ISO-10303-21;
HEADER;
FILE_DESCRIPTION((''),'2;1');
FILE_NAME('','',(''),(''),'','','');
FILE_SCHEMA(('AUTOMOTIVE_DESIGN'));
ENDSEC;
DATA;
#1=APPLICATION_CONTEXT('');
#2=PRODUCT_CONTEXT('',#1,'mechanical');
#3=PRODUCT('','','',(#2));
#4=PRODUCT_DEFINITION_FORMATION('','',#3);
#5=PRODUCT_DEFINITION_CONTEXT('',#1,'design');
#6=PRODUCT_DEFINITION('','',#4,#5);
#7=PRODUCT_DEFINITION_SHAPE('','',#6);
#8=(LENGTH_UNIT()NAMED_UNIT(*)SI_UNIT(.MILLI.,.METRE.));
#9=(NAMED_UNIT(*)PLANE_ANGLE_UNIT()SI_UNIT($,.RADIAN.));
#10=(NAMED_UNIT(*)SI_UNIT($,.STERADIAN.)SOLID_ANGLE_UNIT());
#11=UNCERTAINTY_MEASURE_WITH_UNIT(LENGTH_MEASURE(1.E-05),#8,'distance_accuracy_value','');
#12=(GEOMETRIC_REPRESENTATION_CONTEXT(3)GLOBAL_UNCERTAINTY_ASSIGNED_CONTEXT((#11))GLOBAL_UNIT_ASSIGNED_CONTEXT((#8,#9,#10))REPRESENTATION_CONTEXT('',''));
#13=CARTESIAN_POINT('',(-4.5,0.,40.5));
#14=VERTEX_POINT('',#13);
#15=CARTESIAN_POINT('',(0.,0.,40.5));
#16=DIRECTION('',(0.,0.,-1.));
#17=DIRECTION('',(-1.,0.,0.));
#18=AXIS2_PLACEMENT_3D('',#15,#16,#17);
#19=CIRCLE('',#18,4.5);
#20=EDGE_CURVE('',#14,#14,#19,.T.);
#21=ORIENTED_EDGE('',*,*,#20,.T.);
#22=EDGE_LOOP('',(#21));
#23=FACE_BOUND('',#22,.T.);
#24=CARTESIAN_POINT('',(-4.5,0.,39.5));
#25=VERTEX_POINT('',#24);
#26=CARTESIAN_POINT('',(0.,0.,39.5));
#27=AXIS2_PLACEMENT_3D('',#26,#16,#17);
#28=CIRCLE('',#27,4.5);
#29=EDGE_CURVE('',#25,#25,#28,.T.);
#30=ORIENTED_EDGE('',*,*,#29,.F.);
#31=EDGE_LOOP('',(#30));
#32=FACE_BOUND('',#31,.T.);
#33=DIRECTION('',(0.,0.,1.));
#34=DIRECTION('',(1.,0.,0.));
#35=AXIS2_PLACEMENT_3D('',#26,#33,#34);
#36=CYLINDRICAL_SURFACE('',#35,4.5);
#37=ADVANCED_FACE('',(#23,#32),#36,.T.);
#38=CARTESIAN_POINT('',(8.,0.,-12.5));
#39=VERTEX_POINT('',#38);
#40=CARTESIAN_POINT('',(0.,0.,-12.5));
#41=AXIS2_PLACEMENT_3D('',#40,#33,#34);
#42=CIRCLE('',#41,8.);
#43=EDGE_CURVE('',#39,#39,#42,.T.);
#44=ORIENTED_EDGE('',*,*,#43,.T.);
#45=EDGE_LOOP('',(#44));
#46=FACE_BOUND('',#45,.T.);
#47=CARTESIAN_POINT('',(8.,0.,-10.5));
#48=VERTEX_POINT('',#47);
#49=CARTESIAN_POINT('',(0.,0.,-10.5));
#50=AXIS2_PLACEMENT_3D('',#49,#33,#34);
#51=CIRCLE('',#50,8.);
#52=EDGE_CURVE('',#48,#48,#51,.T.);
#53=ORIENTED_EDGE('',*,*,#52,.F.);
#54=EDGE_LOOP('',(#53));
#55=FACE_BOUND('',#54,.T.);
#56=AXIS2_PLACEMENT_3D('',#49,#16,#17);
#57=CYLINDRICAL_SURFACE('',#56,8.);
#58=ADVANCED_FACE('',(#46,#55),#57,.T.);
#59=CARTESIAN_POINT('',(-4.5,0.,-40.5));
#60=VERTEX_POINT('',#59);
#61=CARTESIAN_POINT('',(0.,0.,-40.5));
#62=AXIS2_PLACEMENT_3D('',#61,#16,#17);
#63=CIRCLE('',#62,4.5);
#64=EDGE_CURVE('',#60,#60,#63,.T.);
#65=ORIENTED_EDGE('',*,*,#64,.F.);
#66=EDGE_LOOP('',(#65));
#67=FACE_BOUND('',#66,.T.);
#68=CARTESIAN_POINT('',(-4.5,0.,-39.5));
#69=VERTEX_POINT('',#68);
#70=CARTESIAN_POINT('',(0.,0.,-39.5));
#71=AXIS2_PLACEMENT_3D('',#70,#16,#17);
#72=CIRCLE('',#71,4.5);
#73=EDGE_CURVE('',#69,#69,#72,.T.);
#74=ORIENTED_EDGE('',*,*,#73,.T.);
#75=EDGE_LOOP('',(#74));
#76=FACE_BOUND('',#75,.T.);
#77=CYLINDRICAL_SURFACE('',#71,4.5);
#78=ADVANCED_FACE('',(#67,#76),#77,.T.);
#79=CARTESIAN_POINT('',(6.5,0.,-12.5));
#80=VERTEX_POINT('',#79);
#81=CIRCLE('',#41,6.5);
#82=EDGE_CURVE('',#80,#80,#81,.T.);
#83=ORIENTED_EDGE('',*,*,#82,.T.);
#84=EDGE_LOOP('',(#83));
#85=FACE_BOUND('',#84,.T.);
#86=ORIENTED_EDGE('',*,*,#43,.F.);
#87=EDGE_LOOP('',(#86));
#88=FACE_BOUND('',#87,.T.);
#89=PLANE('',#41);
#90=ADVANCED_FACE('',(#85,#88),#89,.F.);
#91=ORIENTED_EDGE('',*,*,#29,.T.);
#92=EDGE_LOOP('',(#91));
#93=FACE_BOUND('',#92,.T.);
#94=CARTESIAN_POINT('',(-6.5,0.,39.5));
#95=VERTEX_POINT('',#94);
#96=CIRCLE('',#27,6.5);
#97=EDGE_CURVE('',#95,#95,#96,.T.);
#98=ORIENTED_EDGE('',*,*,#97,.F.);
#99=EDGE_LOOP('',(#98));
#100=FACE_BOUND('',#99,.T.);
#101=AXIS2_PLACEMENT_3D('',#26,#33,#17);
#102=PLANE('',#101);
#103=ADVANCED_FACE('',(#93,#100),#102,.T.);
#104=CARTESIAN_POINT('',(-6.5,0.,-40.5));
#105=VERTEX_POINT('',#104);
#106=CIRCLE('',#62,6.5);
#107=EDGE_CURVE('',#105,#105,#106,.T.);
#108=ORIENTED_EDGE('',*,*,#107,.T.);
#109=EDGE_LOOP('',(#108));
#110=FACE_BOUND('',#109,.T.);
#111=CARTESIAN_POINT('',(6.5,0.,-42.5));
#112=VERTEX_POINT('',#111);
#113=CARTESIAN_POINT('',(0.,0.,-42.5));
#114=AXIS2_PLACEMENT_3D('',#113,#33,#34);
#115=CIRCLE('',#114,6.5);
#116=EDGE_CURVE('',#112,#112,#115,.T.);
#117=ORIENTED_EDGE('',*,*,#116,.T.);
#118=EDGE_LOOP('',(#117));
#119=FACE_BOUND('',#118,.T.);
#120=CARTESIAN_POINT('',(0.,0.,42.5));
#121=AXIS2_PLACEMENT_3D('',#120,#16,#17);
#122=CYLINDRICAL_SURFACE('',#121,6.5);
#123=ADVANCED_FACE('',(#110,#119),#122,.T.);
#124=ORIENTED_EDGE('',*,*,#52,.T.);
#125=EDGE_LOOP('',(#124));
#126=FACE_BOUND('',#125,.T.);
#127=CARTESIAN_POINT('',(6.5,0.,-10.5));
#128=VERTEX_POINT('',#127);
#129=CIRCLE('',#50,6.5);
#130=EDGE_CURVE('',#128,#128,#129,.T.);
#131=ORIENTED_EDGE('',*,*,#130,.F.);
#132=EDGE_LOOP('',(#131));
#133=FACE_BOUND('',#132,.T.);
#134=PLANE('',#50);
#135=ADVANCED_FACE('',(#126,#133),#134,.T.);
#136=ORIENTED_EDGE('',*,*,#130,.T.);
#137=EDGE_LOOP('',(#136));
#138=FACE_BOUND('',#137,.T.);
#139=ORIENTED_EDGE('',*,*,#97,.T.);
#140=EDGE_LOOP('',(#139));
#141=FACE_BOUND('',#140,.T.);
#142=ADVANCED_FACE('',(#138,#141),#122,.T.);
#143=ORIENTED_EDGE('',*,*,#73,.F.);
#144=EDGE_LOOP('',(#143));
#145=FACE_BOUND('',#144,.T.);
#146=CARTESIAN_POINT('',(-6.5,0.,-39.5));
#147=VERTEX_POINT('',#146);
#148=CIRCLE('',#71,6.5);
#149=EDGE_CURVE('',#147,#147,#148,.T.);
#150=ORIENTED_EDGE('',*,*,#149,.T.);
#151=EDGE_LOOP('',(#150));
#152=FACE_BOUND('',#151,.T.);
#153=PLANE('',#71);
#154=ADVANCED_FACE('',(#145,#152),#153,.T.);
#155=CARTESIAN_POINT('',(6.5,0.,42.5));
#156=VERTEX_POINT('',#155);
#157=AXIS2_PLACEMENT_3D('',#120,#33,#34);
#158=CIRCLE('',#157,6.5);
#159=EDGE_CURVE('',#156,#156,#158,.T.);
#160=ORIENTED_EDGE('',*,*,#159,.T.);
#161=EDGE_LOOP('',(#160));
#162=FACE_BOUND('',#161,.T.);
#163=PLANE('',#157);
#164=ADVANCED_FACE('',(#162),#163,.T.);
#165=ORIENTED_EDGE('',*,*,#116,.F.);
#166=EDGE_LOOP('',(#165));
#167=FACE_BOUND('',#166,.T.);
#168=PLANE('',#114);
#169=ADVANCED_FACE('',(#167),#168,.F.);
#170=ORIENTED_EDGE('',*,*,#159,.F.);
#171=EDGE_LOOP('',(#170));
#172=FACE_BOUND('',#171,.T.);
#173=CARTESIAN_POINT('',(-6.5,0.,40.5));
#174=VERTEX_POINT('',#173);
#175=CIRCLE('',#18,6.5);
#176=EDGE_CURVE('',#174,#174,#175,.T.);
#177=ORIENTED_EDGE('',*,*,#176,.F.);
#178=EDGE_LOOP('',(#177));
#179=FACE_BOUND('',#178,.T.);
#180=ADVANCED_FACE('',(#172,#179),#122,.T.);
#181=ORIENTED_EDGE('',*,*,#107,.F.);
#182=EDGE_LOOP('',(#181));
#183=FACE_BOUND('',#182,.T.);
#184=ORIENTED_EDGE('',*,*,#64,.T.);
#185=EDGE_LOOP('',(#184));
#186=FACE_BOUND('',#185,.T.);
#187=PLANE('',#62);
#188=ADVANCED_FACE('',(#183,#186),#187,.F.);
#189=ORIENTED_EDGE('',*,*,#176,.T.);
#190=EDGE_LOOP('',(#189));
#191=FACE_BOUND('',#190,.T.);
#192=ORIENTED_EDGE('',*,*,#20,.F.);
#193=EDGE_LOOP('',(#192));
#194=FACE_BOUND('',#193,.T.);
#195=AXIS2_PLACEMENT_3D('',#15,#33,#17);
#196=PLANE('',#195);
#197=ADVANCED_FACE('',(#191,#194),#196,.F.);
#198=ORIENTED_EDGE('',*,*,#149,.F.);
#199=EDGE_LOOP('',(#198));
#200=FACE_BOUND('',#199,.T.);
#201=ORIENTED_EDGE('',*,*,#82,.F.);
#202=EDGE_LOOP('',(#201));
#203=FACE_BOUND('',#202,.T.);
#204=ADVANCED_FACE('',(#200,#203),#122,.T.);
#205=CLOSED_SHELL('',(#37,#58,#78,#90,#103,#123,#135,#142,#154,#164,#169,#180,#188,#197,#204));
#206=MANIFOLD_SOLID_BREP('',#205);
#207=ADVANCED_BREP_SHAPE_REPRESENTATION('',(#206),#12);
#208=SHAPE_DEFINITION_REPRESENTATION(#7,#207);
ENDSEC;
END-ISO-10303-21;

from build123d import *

# Parameters (mm, degrees)
SKETCH1_R           = 6.5
BOSS_EXTRUDE1_DEPTH = 42.5
SKETCH2_R           = 8
BOSS_EXTRUDE2_DEPTH = 2
SKETCH3_R           = 6.5
SKETCH3_R_2         = 4.5
CUT_EXTRUDE1_DEPTH  = 1


with BuildPart() as part:
    # Sketch1 → Boss-Extrude1 (new body, symmetric)
    with BuildSketch(Plane.XY):
        Circle(SKETCH1_R)
    extrude(amount=BOSS_EXTRUDE1_DEPTH, both=True)

    # Sketch2 → Boss-Extrude2 (add)
    with BuildSketch(Plane.XY.offset(-12.5)):
        Circle(SKETCH2_R)
    extrude(amount=BOSS_EXTRUDE2_DEPTH)

    # Sketch3 → Cut-Extrude1 (cut)
    with BuildSketch(Plane(origin=(0, 0, -40.5), x_dir=(-1, 0, 0), z_dir=(0, 0, -1))):
        Circle(SKETCH3_R)
        Circle(SKETCH3_R_2, mode=Mode.SUBTRACT)
    cut_extrude1 = extrude(amount=-CUT_EXTRUDE1_DEPTH, mode=Mode.SUBTRACT)

    # Mirror1: Cut-Extrude1 across plane
    add(cut_extrude1.mirror(Plane.XY), mode=Mode.SUBTRACT)


solid = part.part
